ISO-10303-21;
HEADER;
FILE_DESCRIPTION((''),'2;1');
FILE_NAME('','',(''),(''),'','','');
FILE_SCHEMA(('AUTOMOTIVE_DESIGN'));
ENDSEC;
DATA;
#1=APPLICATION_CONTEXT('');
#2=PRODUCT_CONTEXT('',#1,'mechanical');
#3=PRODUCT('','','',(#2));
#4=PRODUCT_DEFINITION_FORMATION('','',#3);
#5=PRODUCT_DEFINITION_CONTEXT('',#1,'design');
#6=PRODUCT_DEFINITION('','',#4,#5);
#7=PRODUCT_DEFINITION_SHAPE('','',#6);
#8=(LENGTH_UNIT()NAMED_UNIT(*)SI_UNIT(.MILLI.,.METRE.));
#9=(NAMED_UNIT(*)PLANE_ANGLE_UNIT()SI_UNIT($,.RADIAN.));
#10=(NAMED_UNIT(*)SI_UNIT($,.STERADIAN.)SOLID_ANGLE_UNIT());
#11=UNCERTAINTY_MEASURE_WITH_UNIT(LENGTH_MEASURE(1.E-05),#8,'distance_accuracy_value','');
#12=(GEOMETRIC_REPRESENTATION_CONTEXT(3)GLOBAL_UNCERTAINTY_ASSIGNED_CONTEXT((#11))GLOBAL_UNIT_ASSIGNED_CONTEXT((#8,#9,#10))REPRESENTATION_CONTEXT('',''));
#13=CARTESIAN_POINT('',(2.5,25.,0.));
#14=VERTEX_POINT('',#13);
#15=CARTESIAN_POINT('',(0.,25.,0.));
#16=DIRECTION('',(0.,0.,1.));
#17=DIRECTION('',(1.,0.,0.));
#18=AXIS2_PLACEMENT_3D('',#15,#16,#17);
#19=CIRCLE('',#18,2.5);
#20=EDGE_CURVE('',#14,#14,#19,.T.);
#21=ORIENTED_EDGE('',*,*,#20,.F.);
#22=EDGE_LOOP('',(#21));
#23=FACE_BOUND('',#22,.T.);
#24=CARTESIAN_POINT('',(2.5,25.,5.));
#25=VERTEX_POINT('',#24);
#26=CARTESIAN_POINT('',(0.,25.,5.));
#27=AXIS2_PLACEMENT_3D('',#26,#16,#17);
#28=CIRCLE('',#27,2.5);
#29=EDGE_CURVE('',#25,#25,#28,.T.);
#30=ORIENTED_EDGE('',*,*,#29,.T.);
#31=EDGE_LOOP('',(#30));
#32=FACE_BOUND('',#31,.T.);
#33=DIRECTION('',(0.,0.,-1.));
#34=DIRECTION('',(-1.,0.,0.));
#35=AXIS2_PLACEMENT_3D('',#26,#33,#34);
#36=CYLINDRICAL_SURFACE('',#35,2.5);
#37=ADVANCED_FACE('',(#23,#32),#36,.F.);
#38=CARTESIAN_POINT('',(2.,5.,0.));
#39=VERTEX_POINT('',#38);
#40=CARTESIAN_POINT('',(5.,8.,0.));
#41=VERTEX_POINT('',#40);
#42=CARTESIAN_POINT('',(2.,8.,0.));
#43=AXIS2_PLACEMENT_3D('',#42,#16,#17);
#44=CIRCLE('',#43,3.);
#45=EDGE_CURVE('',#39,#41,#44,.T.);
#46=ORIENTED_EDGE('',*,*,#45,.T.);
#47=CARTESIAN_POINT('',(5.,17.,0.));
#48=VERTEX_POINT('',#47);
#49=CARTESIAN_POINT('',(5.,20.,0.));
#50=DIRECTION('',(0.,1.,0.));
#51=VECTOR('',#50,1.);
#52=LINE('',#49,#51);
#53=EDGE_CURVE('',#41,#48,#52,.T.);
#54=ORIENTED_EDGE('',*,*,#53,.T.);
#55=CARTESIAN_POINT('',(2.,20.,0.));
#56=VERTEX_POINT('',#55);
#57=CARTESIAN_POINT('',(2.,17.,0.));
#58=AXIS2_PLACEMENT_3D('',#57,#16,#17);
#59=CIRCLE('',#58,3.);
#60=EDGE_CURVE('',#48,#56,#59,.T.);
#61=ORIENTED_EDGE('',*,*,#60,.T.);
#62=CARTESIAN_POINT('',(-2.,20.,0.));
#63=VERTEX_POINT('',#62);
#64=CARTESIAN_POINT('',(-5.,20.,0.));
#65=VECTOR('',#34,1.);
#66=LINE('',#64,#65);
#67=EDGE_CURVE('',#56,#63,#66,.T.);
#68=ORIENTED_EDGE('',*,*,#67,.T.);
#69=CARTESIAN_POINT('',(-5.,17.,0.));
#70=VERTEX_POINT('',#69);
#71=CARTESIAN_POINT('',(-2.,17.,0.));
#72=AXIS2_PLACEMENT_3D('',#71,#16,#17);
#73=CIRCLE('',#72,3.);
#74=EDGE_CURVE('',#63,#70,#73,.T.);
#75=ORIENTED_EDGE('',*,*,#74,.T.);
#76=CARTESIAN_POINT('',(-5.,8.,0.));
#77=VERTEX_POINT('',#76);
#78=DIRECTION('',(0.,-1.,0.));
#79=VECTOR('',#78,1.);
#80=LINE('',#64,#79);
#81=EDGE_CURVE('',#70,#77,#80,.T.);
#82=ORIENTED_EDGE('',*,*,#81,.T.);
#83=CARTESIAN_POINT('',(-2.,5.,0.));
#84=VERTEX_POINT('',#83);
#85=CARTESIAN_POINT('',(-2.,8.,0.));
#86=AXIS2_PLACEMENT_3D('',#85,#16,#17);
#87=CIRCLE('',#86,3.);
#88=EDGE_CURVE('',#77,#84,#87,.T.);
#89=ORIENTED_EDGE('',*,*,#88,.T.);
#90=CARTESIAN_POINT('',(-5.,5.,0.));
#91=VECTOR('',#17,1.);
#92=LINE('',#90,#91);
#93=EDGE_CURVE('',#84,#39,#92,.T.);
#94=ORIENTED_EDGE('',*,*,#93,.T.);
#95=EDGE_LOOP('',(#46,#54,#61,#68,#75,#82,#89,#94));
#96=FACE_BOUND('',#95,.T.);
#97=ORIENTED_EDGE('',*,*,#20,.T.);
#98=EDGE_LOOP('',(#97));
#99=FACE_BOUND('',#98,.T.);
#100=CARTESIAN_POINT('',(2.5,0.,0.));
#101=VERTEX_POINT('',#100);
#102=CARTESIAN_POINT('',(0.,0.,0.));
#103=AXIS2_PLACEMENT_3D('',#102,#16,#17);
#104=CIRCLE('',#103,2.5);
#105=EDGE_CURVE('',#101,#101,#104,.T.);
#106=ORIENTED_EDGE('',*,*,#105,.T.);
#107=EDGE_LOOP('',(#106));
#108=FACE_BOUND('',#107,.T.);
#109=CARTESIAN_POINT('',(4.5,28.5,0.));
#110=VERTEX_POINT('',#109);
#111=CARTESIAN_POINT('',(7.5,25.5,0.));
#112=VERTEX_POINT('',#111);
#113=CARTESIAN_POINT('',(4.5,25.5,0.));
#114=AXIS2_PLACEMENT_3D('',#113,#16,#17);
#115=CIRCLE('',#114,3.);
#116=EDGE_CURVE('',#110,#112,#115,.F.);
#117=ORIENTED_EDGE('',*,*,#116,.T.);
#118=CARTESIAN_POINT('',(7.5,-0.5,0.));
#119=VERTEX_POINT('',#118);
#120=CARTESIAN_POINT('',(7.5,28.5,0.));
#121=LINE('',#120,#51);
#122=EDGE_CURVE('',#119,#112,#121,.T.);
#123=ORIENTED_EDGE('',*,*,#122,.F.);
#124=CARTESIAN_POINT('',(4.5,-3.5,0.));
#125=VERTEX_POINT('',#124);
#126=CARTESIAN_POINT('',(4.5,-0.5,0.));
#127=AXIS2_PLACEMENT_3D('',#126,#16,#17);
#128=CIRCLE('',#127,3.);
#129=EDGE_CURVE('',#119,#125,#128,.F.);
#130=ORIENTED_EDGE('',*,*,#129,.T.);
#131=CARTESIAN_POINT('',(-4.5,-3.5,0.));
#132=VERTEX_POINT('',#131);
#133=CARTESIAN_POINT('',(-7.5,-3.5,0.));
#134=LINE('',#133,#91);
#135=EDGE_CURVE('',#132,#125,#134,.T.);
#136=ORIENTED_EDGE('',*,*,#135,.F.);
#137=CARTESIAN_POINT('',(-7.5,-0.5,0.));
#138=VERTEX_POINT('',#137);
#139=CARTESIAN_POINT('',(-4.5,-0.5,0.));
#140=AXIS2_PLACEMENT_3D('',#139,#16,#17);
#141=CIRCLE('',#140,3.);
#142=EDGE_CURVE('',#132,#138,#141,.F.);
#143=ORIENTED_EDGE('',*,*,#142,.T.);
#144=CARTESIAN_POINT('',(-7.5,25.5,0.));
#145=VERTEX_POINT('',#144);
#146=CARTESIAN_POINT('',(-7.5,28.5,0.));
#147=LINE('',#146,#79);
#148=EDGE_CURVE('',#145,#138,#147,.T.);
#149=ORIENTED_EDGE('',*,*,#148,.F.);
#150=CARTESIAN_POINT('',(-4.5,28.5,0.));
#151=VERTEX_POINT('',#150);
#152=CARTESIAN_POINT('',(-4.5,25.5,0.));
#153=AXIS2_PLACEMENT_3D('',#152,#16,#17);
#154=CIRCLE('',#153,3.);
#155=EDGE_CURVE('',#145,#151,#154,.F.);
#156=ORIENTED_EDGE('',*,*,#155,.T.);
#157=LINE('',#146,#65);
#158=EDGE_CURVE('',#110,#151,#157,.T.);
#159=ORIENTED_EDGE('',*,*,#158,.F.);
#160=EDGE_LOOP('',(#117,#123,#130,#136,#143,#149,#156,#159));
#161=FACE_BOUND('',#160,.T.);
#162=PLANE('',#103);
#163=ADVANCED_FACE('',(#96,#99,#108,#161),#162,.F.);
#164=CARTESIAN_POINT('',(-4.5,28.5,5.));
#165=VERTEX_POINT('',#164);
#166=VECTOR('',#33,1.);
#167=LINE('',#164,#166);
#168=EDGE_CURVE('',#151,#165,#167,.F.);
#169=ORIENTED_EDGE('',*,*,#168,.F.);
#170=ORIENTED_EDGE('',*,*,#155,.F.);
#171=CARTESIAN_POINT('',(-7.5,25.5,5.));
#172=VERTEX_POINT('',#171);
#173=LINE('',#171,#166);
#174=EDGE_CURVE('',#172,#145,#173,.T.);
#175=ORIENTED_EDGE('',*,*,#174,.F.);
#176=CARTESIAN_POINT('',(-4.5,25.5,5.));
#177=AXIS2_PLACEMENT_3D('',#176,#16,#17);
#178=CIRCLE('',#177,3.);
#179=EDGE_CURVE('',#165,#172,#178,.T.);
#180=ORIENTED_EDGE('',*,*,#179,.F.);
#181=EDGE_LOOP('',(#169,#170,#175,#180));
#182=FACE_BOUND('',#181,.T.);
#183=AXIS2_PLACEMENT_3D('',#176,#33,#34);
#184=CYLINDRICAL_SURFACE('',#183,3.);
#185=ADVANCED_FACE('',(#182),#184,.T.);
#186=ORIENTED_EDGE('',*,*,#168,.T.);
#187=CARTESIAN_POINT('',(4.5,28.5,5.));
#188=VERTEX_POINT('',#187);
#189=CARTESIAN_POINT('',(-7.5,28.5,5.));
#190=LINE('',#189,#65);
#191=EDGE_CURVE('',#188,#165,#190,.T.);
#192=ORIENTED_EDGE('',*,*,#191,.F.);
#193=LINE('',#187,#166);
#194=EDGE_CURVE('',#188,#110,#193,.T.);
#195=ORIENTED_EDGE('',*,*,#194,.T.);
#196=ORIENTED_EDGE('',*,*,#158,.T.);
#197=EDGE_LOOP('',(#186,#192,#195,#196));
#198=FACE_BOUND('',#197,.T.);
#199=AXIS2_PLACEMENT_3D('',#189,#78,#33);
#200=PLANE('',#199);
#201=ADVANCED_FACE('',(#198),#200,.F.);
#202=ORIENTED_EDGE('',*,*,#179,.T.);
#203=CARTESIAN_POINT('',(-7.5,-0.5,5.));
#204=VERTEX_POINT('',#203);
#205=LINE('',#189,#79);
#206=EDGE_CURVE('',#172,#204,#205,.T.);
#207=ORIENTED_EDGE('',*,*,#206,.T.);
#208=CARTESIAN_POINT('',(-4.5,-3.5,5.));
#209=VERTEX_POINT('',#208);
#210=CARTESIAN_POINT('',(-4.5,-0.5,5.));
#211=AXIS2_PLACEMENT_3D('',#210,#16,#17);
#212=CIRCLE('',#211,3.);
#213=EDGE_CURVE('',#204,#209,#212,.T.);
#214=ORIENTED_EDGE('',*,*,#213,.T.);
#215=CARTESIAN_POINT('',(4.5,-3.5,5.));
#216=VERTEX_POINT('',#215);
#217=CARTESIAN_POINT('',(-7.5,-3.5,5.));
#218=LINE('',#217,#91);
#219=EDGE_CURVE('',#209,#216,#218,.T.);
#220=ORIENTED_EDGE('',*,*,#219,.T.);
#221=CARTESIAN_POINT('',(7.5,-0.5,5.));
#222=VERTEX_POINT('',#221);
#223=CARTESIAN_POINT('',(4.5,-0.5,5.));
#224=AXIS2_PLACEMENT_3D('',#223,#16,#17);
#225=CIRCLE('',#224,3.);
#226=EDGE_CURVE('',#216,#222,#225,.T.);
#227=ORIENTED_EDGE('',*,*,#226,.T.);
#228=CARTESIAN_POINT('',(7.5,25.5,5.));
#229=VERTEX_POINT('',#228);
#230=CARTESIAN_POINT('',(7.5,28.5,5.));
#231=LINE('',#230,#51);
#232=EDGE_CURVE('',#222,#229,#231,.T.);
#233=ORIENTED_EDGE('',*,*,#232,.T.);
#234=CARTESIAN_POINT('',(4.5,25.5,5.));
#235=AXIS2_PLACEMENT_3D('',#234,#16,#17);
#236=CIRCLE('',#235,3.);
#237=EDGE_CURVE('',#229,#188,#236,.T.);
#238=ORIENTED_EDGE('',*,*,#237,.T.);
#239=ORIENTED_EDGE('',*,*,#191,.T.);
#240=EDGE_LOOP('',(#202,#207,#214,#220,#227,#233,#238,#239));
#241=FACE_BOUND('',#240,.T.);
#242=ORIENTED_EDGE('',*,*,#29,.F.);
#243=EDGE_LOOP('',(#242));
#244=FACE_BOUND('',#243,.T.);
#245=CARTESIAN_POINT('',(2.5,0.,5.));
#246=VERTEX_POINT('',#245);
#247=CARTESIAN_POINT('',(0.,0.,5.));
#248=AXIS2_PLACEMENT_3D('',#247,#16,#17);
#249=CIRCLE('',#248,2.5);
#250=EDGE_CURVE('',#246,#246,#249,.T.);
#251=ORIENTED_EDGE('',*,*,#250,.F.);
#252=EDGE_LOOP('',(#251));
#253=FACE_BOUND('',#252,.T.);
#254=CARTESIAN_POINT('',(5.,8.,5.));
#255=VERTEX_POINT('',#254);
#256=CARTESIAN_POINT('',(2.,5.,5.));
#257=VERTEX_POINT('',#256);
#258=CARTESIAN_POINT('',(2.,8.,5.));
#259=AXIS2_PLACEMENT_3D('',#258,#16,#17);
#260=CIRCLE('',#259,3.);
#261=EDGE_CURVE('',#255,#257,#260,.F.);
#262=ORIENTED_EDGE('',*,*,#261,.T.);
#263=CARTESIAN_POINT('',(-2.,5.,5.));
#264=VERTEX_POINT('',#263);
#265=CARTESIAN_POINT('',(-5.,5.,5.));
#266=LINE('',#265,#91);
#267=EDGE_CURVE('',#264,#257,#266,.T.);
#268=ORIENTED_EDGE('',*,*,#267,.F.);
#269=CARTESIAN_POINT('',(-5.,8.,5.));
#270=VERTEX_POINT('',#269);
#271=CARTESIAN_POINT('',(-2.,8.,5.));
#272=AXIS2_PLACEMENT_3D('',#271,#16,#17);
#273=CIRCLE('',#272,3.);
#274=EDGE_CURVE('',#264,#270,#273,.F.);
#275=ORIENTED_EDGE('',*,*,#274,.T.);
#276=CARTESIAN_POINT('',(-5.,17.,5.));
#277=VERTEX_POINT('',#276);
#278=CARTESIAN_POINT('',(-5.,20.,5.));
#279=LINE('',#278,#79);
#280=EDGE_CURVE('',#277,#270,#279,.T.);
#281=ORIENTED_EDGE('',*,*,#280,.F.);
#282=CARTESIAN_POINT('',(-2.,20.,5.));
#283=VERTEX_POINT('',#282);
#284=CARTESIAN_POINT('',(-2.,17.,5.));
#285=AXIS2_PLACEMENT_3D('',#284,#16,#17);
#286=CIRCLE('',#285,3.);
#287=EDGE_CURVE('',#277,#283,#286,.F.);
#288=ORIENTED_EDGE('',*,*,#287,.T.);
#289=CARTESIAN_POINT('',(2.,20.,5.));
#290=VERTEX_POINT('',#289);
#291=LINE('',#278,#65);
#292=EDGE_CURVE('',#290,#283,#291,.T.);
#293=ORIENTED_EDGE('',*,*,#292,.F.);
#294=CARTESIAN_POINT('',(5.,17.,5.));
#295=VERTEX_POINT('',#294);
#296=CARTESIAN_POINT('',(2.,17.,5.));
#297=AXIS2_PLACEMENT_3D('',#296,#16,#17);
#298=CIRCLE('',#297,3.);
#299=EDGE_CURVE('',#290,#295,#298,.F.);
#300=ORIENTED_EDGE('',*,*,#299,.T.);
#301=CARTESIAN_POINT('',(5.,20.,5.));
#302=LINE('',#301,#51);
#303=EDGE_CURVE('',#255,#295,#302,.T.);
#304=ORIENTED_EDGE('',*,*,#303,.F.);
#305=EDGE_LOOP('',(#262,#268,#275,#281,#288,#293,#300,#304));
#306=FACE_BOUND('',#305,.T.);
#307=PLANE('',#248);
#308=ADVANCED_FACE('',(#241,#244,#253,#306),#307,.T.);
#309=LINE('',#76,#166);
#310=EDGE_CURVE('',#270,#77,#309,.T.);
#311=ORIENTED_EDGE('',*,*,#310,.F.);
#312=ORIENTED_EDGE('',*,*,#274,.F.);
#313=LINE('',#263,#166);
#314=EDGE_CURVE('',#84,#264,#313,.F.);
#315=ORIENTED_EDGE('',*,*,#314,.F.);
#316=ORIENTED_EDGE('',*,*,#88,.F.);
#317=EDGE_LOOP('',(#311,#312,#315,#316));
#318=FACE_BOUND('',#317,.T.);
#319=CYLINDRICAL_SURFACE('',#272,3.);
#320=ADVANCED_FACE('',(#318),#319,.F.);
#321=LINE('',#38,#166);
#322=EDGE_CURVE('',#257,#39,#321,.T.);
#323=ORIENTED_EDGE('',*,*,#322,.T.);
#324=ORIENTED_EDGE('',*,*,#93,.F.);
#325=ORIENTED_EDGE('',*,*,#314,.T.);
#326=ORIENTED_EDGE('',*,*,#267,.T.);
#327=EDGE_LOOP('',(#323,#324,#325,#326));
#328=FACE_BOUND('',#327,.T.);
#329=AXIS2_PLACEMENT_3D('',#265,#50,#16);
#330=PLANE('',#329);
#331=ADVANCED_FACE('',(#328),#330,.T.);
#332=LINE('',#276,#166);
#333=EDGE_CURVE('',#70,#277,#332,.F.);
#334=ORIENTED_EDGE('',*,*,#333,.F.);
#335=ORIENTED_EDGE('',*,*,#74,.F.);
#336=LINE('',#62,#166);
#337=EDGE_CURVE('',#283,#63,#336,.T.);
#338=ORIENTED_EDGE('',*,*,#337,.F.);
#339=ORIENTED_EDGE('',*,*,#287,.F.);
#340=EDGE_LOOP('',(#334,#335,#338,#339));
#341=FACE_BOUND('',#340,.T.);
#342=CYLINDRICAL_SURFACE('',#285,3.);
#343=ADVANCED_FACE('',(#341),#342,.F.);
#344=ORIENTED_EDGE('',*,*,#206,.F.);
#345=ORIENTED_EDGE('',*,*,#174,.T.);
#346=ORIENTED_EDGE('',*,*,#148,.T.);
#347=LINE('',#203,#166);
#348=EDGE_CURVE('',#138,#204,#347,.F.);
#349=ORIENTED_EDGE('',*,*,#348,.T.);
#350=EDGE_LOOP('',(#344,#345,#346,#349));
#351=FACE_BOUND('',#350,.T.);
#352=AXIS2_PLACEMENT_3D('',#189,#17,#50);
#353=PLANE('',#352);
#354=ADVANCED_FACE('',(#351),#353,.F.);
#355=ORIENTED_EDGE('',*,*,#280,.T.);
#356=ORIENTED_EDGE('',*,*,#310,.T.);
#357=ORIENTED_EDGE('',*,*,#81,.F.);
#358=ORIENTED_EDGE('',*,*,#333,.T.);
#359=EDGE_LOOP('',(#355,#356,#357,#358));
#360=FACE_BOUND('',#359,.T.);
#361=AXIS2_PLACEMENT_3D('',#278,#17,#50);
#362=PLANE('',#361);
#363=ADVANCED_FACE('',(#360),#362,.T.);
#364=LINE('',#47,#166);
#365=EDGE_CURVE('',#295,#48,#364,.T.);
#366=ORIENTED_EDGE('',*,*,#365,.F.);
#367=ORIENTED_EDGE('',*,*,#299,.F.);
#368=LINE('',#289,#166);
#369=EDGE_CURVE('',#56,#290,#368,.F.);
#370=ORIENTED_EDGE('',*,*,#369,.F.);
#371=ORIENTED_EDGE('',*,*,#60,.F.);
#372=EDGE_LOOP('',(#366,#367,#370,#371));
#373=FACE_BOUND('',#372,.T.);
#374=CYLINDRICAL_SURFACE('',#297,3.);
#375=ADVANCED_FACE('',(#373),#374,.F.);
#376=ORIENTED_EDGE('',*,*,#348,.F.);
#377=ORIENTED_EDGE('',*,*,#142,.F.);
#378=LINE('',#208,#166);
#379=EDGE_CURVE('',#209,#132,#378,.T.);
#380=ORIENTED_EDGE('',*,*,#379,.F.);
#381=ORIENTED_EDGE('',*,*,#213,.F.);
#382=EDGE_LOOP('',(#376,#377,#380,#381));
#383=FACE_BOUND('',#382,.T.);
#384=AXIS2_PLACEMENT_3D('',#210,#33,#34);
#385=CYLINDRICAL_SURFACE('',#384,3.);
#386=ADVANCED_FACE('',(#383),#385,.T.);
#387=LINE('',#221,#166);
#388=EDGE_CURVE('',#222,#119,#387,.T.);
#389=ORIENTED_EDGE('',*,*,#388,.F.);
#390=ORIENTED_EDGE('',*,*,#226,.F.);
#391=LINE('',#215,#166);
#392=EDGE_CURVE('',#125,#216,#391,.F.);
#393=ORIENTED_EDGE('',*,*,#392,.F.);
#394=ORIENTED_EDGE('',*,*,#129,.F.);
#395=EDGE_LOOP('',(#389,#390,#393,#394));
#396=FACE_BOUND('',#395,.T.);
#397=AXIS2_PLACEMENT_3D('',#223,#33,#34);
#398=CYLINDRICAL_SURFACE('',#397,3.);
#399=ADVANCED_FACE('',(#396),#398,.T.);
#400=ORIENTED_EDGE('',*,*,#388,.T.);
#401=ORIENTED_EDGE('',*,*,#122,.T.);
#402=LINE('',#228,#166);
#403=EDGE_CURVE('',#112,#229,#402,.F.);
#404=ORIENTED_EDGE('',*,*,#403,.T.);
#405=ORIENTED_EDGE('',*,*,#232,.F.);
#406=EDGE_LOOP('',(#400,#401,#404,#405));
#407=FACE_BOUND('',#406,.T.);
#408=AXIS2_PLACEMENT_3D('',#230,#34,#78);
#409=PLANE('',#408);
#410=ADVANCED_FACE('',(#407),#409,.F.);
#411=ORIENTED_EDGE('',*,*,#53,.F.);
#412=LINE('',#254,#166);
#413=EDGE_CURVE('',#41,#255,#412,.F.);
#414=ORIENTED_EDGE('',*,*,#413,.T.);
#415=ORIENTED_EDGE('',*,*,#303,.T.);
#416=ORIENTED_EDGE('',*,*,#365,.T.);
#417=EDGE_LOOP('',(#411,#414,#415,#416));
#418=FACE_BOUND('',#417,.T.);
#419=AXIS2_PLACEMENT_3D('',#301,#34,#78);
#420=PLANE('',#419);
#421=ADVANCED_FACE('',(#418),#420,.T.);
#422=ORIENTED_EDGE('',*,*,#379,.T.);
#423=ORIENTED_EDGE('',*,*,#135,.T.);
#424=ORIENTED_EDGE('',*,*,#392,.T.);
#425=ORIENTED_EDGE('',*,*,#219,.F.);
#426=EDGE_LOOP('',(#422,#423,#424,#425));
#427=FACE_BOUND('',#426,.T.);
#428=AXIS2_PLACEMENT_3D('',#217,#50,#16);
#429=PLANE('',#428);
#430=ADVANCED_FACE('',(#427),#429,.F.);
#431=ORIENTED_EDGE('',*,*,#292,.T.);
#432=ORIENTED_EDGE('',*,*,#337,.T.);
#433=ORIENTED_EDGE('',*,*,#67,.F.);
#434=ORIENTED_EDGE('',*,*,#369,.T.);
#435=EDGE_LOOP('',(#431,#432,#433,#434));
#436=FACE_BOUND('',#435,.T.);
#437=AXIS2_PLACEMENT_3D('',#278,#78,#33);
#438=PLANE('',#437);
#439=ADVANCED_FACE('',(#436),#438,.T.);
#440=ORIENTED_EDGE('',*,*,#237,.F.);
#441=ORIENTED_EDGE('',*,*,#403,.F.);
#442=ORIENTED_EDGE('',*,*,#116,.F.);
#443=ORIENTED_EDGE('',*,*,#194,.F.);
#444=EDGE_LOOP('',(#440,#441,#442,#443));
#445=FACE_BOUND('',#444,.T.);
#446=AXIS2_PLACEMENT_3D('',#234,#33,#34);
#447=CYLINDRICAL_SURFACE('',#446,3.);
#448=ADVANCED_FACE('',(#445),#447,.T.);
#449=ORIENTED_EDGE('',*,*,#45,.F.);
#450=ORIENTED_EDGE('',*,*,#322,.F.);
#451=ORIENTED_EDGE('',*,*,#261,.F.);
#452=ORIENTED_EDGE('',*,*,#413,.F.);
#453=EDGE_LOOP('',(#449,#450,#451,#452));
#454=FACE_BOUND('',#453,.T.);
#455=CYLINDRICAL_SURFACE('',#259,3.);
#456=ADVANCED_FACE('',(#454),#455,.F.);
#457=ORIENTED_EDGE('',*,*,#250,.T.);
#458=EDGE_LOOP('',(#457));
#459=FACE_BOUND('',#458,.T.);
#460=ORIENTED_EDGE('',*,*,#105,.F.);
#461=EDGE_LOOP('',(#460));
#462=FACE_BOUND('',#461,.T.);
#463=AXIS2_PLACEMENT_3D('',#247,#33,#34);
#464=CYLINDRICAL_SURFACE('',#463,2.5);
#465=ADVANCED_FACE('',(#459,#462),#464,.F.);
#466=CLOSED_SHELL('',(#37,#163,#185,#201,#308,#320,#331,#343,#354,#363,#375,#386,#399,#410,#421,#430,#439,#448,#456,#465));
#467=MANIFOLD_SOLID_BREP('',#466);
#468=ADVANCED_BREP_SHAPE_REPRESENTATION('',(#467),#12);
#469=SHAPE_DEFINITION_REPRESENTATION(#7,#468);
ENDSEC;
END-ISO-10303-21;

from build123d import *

# Parameters (mm, degrees)
SKETCH_1_W      = 15
SKETCH_1_H      = 32
SKETCH_1_R      = 2.5
SKETCH_1_W_2    = 10
SKETCH_1_H_2    = 15
EXTRUDE_1_DEPTH = 5
FILLET_1_R      = 3


with BuildPart() as part:
    # 草图1 → 凸台-拉伸1 (new body)
    with BuildSketch(Plane.XY):
        with Locations((0, 12.5)):
            Rectangle(SKETCH_1_W, SKETCH_1_H)
        with Locations((0, 25)):
            Circle(SKETCH_1_R, mode=Mode.SUBTRACT)
        Circle(SKETCH_1_R, mode=Mode.SUBTRACT)
        with Locations((0, 12.5)):
            Rectangle(SKETCH_1_W_2, SKETCH_1_H_2, mode=Mode.SUBTRACT)
    extrude(amount=EXTRUDE_1_DEPTH)

    # 圆角1
    fillet_1_edges = [part.edges().sort_by_distance(p)[0] for p in [
        (5, 5, 2.5),
        (5, 20, 2.5),
        (-5, 20, 2.5),
        (-5, 5, 2.5),
        (7.5, -3.5, 2.5),
        (-7.5, -3.5, 2.5),
        (-7.5, 28.5, 2.5),
        (7.5, 28.5, 2.5),
    ]]
    fillet(fillet_1_edges, radius=FILLET_1_R)


solid = part.part
